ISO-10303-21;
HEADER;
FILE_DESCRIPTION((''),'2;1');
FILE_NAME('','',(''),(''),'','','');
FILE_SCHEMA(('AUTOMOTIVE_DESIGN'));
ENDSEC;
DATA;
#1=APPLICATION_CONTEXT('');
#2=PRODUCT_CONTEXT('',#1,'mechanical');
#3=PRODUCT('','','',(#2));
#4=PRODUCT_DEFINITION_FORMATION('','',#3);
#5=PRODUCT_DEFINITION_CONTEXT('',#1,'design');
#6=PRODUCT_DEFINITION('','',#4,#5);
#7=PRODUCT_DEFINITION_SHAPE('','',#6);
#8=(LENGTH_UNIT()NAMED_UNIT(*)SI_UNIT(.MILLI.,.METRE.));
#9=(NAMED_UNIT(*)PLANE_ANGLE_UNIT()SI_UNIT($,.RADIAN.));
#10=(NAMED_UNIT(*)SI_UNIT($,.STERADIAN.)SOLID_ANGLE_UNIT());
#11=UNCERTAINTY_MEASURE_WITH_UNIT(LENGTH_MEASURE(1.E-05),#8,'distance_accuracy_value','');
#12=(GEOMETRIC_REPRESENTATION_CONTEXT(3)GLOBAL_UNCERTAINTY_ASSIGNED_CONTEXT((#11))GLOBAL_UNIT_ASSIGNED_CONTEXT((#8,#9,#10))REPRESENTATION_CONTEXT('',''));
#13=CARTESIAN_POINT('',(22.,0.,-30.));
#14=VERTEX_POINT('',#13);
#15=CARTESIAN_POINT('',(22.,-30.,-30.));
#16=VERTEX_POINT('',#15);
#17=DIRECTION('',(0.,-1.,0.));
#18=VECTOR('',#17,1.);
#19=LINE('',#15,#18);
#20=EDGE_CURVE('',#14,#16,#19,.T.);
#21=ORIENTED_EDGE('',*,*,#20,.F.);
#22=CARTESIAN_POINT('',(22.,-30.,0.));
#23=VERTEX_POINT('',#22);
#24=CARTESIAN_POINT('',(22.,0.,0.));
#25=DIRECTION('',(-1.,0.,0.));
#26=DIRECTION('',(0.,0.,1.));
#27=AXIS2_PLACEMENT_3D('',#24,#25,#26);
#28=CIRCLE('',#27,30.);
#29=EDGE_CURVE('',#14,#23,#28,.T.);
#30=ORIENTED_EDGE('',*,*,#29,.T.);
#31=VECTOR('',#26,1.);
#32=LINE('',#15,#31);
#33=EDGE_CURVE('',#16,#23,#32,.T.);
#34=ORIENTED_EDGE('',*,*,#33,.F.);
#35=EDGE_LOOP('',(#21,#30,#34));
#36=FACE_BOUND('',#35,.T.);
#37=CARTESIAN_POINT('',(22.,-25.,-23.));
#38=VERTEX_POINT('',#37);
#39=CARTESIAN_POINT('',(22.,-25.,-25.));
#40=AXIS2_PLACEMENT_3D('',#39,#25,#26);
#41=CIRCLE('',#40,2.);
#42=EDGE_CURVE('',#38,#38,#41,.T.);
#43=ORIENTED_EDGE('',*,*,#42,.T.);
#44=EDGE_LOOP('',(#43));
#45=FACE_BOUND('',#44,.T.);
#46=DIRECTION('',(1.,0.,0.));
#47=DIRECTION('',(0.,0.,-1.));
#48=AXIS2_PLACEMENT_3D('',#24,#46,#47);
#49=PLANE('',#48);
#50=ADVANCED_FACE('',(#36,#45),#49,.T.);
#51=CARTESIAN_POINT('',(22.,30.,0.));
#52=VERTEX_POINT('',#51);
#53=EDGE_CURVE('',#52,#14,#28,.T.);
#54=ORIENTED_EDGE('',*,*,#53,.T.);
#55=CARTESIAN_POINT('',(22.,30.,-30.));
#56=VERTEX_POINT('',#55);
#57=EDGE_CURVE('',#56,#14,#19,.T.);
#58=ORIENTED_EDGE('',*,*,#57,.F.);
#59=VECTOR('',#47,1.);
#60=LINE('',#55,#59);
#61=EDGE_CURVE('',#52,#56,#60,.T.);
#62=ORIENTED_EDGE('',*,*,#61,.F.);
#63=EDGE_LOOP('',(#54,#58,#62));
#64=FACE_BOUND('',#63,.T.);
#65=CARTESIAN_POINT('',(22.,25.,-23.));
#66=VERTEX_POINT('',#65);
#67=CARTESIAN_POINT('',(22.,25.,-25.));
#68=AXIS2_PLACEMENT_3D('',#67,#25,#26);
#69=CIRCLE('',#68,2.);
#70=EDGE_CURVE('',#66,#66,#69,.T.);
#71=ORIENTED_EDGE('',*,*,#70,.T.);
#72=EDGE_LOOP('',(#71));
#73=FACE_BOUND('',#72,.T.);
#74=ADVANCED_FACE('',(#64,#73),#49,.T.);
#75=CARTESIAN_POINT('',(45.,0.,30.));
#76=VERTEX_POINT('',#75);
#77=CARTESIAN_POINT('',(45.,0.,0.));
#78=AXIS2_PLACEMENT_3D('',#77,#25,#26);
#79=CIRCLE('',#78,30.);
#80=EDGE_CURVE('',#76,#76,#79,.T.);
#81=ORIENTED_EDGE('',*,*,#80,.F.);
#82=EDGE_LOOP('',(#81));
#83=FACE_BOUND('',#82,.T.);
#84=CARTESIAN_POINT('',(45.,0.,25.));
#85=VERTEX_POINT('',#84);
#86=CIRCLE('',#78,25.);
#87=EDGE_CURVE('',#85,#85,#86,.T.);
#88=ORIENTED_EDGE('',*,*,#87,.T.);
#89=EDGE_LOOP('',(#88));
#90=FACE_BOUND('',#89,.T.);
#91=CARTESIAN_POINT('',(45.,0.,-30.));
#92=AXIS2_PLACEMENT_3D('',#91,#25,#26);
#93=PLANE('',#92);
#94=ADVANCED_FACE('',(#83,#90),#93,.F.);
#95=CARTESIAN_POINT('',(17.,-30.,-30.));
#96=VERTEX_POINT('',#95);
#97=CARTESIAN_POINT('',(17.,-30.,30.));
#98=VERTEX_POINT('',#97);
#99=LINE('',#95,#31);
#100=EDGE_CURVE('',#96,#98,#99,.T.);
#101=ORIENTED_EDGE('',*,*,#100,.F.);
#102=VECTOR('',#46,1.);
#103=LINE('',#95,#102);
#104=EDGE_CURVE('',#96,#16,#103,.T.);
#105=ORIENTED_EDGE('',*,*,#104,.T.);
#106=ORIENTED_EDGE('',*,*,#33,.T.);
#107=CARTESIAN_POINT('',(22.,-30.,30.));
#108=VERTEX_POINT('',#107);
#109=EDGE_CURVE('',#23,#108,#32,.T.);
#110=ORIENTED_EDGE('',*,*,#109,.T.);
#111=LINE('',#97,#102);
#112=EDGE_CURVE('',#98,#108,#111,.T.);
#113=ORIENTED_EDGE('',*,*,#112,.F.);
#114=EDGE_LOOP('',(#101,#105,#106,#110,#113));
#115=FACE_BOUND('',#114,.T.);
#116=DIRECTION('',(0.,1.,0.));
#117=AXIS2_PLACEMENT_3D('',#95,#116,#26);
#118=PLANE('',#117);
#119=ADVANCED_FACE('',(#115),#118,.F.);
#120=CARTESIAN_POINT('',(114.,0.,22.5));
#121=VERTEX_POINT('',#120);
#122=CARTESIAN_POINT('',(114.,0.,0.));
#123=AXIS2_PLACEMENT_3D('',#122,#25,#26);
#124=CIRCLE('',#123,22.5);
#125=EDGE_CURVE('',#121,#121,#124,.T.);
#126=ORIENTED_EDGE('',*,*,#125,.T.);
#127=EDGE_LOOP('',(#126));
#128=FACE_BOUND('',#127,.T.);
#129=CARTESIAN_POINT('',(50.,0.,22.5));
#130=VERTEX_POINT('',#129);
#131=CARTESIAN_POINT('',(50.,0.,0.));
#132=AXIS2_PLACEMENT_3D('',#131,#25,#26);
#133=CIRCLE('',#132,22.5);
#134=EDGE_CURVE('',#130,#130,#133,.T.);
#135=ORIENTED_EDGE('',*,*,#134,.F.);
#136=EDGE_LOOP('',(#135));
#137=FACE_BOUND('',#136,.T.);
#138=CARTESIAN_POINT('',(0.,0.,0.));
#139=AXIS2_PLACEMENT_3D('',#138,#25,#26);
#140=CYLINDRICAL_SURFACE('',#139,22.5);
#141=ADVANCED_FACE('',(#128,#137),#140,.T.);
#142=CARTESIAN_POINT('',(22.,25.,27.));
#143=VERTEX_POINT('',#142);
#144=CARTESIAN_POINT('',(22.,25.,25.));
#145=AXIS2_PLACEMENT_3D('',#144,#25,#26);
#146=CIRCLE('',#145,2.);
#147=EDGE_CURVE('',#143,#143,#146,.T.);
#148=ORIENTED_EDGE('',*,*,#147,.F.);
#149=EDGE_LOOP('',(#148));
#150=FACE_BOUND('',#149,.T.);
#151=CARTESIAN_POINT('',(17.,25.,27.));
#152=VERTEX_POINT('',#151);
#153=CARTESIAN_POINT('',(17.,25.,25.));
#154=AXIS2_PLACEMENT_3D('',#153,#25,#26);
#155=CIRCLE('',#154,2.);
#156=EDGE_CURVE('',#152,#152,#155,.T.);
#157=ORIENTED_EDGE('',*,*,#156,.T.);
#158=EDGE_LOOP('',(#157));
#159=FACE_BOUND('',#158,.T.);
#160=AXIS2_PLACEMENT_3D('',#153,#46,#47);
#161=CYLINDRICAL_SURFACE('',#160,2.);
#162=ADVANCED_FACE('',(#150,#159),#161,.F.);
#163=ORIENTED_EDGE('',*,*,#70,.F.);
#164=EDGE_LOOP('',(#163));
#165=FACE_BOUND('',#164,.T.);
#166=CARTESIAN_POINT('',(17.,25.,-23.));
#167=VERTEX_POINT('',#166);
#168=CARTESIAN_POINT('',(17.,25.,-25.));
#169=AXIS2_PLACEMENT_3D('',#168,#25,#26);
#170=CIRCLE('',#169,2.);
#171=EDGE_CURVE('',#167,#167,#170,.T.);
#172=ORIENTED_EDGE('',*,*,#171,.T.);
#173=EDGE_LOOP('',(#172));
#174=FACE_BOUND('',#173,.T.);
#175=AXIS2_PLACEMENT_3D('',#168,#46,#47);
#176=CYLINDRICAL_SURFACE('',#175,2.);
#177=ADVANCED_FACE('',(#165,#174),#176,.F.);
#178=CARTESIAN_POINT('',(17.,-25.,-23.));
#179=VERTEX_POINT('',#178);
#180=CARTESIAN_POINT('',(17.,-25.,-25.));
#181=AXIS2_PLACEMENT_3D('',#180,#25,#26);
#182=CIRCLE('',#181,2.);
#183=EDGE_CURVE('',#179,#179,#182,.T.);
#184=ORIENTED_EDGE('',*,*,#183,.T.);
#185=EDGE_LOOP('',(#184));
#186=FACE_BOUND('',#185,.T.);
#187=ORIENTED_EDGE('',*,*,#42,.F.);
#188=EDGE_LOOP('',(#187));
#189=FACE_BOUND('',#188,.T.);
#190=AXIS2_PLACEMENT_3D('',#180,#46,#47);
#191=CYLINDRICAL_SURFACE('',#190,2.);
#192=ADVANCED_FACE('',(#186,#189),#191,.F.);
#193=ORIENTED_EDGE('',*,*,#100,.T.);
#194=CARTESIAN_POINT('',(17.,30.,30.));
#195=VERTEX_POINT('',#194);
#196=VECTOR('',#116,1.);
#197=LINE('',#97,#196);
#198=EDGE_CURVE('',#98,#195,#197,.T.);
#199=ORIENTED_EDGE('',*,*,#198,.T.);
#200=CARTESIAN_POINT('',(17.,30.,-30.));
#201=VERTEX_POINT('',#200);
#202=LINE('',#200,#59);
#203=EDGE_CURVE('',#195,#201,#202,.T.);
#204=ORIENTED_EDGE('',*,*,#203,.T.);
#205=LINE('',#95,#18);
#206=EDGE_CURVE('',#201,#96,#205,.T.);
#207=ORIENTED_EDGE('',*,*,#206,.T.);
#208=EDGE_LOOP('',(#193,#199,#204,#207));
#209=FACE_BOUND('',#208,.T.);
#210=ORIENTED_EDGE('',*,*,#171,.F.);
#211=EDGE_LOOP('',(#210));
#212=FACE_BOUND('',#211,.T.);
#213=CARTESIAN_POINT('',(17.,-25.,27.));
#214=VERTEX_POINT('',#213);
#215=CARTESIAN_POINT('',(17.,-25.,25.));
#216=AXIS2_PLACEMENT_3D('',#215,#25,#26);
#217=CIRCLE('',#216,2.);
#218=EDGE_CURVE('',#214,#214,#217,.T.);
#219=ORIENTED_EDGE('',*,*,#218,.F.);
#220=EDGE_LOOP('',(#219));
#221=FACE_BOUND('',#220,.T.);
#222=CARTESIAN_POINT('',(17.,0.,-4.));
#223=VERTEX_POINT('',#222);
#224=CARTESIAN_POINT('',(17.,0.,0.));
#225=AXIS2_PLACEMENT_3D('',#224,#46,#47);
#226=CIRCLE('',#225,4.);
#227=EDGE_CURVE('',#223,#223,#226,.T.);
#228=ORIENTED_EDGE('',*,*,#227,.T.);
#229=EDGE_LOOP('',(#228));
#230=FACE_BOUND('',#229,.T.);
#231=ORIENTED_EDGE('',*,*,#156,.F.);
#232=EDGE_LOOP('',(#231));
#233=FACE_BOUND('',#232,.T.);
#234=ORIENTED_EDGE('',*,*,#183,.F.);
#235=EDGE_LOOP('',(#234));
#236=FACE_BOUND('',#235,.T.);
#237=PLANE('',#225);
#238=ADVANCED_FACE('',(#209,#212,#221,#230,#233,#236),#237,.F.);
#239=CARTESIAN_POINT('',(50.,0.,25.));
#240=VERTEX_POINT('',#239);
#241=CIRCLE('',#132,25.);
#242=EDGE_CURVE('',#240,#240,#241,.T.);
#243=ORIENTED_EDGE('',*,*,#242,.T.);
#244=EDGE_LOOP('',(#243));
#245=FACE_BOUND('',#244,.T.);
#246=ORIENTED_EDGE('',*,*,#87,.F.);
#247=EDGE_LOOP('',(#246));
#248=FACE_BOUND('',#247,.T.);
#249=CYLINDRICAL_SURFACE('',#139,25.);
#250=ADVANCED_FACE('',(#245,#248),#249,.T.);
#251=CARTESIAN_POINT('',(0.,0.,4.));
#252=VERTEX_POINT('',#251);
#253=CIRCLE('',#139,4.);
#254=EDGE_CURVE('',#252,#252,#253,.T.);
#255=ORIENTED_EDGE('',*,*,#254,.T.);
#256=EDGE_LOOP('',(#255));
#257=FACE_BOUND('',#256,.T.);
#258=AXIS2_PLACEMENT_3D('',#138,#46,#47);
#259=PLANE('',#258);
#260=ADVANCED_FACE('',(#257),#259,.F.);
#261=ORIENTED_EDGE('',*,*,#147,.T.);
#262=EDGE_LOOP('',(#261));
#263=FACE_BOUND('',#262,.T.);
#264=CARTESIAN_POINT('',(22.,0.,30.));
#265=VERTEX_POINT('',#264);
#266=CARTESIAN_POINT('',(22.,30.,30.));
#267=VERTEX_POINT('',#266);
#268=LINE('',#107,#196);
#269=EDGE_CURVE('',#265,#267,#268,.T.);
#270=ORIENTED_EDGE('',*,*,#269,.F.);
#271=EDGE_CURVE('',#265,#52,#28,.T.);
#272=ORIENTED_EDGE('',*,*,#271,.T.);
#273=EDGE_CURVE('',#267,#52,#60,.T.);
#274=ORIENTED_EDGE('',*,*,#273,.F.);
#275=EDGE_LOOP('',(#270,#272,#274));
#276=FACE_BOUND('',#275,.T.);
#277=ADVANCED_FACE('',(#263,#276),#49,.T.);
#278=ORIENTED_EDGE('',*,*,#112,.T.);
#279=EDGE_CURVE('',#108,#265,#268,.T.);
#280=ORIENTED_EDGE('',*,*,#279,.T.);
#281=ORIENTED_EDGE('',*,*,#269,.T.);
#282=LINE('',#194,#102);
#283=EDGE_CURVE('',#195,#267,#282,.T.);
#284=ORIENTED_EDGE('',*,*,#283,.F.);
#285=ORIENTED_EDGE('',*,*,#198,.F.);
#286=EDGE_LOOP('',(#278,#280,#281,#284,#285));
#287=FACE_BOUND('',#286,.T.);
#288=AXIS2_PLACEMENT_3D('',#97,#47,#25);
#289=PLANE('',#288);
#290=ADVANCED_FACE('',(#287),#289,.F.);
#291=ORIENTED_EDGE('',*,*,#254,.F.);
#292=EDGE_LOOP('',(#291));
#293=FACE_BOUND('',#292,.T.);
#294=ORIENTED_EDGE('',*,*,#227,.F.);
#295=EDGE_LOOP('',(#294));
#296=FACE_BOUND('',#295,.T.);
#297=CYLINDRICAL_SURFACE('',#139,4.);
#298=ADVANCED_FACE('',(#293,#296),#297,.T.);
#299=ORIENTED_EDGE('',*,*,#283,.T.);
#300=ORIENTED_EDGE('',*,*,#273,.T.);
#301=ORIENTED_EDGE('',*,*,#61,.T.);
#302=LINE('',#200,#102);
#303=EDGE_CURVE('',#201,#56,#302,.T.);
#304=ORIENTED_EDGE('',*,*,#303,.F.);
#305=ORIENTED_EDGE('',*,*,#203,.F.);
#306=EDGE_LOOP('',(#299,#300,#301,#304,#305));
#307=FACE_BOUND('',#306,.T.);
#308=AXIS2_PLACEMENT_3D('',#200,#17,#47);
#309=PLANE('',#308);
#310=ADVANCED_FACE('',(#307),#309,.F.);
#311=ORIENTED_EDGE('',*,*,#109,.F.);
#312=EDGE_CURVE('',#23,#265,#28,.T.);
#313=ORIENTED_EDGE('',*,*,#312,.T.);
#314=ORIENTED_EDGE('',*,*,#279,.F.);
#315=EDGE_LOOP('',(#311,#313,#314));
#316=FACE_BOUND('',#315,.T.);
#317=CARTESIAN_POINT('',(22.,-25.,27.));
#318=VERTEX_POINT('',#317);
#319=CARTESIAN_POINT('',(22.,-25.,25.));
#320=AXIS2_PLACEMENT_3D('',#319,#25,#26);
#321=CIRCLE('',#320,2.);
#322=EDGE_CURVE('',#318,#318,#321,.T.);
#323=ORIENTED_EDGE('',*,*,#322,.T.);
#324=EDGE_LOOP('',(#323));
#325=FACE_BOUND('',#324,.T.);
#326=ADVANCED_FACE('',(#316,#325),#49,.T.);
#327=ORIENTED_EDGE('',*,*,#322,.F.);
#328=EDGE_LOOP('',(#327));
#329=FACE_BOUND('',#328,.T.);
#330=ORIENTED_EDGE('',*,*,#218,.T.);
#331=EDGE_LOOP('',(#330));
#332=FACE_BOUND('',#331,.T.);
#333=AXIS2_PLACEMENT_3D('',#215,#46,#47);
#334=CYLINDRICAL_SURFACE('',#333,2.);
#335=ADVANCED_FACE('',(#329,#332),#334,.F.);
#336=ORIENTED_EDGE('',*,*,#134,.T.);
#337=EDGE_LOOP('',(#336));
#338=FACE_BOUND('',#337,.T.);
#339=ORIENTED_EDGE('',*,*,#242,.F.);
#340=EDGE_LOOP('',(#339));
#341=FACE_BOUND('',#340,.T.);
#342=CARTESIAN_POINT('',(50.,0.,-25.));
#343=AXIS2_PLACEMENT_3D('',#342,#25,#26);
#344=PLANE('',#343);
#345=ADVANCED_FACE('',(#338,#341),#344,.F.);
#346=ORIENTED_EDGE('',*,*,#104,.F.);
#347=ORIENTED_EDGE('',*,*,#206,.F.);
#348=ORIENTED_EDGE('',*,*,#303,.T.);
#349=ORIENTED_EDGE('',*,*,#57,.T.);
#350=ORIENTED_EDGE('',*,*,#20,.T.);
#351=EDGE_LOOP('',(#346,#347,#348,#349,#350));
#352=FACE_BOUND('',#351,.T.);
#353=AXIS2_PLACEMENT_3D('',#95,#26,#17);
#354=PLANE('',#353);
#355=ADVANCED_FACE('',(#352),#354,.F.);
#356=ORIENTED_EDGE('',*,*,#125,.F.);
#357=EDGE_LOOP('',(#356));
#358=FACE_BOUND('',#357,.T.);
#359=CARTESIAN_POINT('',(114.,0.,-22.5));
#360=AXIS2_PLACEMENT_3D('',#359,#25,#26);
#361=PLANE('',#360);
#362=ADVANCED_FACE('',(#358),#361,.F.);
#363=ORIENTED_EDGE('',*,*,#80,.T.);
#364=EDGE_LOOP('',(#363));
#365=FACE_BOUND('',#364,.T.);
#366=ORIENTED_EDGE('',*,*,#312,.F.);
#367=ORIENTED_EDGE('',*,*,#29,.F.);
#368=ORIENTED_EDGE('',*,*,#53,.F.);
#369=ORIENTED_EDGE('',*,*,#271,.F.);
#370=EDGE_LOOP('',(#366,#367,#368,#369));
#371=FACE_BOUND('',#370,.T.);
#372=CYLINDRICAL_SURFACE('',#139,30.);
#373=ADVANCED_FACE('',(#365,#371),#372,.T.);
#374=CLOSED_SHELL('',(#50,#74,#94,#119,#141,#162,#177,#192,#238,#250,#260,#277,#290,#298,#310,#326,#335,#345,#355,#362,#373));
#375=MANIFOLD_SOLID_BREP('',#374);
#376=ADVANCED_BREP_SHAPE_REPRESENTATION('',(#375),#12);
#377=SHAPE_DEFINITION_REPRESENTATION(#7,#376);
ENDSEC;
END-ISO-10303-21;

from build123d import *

# Parameters (mm, degrees)
SKETCH2_W           = 60
SKETCH2_H           = 60
SKETCH2_R           = 2
BOSS_EXTRUDE1_DEPTH = 5


with BuildPart() as part:
    # Sketch1 → Revolve1 (revolve)
    with BuildSketch(Plane(origin=(0, 0, 0), x_dir=(1, 0, 0), z_dir=(0, 1, 0)), mode=Mode.PRIVATE) as revolve1_sk:
        Polygon((0, 0), (0, 4), (19, 4), (19, 12), (22, 12), (22, 30), (45, 30), (45, 25), (50, 25), (50, 22.5), (114, 22.5), (114, 0), align=None)
    revolve(revolve1_sk.sketch.rotate(Axis((0, 0, 0), (1, 0, 0)), 180), axis=Axis((0, 0, 0), (1, 0, 0)))

    # Sketch2 → Boss-Extrude1 (add)
    with BuildSketch(Plane.ZY.offset(-22)):
        Rectangle(SKETCH2_W, SKETCH2_H)
        with Locations((-25, 25)):
            Circle(SKETCH2_R, mode=Mode.SUBTRACT)
        with Locations((25, 25)):
            Circle(SKETCH2_R, mode=Mode.SUBTRACT)
        with Locations((25, -25)):
            Circle(SKETCH2_R, mode=Mode.SUBTRACT)
        with Locations((-25, -25)):
            Circle(SKETCH2_R, mode=Mode.SUBTRACT)
    extrude(amount=BOSS_EXTRUDE1_DEPTH)


solid = part.part
